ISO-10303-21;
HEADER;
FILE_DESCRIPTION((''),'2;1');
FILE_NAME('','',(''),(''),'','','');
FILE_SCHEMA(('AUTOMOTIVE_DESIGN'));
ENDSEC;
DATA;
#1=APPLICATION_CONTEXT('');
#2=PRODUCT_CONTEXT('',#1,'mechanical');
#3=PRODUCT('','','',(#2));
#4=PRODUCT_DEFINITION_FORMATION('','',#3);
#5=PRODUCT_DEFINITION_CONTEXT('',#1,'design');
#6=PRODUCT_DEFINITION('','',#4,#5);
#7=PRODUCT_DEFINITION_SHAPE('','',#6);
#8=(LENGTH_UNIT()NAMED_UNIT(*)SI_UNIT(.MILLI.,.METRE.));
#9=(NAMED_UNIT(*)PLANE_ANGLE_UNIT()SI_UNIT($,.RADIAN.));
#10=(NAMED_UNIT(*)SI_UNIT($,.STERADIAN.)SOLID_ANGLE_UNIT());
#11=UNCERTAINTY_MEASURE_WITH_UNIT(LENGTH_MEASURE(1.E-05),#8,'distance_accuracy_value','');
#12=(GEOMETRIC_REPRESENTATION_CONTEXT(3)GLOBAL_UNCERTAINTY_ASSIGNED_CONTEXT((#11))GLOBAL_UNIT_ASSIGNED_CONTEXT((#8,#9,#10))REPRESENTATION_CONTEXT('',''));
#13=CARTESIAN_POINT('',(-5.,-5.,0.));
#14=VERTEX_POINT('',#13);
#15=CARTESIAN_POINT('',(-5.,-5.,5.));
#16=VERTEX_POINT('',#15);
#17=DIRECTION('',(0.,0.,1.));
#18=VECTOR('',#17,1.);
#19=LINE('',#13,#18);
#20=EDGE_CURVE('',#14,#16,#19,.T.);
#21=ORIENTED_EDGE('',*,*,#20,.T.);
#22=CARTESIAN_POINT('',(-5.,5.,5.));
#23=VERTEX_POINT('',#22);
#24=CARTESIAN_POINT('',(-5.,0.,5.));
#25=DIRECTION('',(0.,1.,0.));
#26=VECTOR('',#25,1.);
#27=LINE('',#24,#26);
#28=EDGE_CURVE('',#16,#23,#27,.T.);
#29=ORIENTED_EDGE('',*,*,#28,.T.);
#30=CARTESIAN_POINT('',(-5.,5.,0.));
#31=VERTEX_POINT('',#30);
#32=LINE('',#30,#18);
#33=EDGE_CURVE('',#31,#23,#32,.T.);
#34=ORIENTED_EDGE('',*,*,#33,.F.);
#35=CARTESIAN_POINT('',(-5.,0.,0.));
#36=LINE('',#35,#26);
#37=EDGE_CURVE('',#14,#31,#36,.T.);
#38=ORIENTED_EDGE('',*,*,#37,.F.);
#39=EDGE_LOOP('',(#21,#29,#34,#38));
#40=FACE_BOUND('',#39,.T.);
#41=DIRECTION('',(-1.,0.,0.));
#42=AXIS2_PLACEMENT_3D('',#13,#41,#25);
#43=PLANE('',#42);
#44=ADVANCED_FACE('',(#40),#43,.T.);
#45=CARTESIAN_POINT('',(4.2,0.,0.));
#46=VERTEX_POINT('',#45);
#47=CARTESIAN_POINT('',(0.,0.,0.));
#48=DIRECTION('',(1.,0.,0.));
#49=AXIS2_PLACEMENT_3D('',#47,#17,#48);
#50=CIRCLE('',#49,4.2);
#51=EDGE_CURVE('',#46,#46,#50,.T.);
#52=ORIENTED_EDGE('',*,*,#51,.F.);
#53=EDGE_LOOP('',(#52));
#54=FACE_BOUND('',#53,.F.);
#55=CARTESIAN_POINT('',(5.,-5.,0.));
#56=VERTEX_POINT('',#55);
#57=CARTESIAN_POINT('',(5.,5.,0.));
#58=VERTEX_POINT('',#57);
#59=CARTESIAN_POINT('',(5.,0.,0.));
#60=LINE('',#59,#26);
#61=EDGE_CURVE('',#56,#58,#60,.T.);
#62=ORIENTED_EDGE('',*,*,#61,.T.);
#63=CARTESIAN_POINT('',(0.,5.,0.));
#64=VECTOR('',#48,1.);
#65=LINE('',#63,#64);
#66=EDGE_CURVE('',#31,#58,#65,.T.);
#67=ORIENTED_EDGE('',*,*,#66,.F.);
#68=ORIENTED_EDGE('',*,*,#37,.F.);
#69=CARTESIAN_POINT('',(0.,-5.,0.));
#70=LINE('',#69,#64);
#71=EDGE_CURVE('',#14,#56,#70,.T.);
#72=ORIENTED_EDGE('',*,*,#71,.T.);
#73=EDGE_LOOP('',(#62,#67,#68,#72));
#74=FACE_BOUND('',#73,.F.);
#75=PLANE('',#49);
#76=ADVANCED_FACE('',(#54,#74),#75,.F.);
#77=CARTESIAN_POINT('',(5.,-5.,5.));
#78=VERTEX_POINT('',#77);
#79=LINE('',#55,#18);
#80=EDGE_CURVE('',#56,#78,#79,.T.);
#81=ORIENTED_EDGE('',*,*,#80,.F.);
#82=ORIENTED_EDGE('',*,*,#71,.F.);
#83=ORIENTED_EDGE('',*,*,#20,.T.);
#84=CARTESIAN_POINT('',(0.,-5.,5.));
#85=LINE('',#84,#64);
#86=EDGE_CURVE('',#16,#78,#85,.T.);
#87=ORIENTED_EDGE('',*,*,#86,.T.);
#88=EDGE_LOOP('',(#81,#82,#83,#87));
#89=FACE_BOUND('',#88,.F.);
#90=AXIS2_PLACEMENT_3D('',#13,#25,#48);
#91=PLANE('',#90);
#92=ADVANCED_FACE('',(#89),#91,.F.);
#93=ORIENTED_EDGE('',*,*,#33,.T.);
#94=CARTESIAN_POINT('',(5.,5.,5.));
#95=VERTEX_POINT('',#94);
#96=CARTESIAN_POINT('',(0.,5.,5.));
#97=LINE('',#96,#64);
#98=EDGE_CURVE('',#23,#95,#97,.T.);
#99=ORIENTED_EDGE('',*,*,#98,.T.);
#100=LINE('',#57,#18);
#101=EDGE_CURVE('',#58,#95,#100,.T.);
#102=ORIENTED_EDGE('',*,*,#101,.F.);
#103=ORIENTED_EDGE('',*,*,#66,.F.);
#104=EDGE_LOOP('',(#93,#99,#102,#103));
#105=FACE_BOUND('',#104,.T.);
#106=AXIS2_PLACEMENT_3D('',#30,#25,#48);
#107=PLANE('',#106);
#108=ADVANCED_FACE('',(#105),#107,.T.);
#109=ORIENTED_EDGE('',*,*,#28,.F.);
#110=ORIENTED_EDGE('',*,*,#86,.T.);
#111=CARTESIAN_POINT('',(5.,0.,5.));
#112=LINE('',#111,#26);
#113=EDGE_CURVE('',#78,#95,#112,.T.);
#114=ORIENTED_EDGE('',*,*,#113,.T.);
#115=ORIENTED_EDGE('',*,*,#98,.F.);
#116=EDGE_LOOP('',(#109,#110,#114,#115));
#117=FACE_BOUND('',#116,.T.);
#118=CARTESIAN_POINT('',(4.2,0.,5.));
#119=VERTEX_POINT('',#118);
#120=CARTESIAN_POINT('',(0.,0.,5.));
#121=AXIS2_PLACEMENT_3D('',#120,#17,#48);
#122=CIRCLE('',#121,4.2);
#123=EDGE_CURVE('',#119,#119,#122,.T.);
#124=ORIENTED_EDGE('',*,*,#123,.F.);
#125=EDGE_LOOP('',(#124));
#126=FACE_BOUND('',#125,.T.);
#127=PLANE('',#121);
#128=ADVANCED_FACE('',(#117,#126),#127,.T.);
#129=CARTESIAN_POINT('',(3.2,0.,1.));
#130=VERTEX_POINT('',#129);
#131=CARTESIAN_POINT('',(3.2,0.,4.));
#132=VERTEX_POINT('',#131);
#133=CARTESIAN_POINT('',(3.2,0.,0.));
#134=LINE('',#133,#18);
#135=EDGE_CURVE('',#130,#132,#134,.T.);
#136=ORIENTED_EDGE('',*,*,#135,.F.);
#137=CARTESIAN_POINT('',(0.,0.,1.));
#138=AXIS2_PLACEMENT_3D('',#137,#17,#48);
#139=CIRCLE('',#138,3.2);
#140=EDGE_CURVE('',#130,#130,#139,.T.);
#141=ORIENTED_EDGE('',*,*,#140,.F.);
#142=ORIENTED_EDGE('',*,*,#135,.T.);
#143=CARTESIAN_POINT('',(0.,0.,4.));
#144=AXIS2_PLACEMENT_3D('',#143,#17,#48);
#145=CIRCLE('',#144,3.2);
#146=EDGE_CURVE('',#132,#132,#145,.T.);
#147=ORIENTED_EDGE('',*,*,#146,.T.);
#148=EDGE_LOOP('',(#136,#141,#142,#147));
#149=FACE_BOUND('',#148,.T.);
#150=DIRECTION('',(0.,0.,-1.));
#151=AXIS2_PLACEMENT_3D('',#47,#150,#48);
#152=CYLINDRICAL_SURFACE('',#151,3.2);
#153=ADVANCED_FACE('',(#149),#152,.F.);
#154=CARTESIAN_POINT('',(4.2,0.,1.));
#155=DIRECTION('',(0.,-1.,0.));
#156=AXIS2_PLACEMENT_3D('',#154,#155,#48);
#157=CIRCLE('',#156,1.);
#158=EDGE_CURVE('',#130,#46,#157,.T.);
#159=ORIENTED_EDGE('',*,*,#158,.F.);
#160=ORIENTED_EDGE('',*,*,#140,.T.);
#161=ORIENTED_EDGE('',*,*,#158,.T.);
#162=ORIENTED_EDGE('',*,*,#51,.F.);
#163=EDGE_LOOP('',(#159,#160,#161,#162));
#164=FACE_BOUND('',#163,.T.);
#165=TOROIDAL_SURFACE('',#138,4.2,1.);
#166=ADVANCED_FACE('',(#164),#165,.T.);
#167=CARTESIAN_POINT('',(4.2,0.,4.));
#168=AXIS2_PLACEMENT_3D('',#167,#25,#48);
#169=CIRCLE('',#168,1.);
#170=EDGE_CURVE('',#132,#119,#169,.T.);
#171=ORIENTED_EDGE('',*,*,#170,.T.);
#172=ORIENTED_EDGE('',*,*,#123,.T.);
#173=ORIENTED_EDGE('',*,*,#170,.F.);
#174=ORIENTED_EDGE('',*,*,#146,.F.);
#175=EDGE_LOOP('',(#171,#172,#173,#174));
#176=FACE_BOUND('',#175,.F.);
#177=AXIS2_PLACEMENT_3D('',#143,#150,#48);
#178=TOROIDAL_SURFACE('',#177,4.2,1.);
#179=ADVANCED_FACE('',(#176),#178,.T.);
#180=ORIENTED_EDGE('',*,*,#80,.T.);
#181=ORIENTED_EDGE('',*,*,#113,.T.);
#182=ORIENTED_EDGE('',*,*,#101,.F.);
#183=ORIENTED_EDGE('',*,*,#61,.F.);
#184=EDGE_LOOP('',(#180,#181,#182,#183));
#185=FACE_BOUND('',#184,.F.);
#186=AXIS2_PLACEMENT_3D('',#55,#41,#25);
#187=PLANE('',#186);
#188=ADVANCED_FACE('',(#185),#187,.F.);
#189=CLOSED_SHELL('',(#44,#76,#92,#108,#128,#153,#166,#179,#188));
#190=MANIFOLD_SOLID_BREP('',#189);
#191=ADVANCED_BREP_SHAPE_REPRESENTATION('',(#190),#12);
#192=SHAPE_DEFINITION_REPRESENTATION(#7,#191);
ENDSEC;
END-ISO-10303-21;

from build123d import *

# Parameters (mm, degrees)
SKETCH_W    = 10
SKETCH_H    = 10
SKETCH_R    = 3.2
PAD_DEPTH   = 5
FILLET_R    = 1
FILLET001_R = 1


with BuildPart() as part:
    # Sketch → Pad (new body)
    with BuildSketch(Plane.XY):
        Rectangle(SKETCH_W, SKETCH_H)
        Circle(SKETCH_R, mode=Mode.SUBTRACT)
    extrude(amount=PAD_DEPTH)

    # Fillet
    fillet_edges = [part.edges().sort_by_distance(p)[0] for p in [
        (-3.2, 0, 0),
    ]]
    fillet(fillet_edges, radius=FILLET_R)

    # Fillet001
    fillet001_edges = [part.edges().sort_by_distance(p)[0] for p in [
        (-3.2, 0, 5),
    ]]
    fillet(fillet001_edges, radius=FILLET001_R)


solid = part.part
